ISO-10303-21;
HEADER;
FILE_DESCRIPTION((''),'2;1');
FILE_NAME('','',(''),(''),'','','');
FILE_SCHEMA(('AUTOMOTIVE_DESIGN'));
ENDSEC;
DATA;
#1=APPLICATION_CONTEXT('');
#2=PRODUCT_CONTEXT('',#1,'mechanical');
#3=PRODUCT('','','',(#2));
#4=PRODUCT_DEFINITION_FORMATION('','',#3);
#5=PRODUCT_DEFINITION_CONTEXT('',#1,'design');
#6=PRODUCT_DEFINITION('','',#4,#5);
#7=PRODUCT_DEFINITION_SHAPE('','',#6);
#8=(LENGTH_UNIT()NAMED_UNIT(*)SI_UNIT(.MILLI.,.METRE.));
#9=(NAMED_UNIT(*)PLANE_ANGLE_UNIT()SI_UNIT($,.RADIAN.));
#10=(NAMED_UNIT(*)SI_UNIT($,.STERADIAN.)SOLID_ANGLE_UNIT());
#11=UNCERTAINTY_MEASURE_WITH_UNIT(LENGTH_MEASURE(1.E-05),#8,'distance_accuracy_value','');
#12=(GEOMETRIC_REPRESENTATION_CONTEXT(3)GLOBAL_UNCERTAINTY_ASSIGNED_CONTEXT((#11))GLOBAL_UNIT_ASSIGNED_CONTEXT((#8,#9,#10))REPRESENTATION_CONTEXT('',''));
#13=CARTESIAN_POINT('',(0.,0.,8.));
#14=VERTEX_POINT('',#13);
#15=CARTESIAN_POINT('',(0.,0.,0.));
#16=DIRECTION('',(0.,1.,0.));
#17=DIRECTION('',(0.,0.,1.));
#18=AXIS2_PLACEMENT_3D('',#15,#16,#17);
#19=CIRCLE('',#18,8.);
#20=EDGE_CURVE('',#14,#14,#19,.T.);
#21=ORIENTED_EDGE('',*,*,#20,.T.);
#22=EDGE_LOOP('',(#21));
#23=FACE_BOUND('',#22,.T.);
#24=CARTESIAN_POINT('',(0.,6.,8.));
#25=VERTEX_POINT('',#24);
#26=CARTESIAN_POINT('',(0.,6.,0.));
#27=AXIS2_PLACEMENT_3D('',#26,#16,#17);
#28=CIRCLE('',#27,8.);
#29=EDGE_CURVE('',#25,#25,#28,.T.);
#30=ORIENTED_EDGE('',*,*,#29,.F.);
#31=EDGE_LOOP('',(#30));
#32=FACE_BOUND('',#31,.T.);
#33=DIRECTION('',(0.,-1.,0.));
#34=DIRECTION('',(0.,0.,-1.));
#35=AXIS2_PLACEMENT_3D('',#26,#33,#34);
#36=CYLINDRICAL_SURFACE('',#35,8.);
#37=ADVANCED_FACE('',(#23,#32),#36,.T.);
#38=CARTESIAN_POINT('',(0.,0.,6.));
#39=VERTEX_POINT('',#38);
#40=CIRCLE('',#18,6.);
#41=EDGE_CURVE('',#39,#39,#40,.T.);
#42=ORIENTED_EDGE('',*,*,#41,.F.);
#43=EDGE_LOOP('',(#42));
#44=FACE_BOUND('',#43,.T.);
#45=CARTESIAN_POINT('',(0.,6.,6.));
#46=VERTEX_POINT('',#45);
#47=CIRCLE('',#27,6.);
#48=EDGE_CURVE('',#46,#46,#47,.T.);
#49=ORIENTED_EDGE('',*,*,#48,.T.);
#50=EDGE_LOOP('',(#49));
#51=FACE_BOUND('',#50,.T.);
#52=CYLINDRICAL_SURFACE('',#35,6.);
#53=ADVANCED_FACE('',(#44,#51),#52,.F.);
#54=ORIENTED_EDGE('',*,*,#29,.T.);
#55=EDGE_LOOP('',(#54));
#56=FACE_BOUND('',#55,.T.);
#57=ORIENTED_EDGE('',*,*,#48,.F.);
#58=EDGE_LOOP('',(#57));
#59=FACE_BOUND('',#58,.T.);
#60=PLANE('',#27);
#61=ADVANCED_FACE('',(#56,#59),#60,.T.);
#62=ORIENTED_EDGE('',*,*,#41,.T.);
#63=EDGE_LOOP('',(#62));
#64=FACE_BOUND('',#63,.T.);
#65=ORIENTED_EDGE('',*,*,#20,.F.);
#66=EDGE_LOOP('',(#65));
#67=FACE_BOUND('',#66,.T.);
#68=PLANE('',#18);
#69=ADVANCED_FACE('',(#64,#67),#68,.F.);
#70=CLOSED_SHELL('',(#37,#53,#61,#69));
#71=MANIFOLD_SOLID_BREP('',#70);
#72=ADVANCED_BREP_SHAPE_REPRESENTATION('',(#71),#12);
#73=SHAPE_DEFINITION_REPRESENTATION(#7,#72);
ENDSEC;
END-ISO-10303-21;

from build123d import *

# Parameters (mm, degrees)
ESQUISSE2_R        = 8
ESQUISSE2_R_2      = 6
BOSS_EXTRU_1_DEPTH = 6


with BuildPart() as part:
    # Esquisse2 → Boss.-Extru.1 (new body)
    with BuildSketch(Plane(origin=(0, 0, 0), x_dir=(1, 0, 0), z_dir=(0, 1, 0))):
        Circle(ESQUISSE2_R)
        Circle(ESQUISSE2_R_2, mode=Mode.SUBTRACT)
    extrude(amount=BOSS_EXTRU_1_DEPTH)


solid = part.part
